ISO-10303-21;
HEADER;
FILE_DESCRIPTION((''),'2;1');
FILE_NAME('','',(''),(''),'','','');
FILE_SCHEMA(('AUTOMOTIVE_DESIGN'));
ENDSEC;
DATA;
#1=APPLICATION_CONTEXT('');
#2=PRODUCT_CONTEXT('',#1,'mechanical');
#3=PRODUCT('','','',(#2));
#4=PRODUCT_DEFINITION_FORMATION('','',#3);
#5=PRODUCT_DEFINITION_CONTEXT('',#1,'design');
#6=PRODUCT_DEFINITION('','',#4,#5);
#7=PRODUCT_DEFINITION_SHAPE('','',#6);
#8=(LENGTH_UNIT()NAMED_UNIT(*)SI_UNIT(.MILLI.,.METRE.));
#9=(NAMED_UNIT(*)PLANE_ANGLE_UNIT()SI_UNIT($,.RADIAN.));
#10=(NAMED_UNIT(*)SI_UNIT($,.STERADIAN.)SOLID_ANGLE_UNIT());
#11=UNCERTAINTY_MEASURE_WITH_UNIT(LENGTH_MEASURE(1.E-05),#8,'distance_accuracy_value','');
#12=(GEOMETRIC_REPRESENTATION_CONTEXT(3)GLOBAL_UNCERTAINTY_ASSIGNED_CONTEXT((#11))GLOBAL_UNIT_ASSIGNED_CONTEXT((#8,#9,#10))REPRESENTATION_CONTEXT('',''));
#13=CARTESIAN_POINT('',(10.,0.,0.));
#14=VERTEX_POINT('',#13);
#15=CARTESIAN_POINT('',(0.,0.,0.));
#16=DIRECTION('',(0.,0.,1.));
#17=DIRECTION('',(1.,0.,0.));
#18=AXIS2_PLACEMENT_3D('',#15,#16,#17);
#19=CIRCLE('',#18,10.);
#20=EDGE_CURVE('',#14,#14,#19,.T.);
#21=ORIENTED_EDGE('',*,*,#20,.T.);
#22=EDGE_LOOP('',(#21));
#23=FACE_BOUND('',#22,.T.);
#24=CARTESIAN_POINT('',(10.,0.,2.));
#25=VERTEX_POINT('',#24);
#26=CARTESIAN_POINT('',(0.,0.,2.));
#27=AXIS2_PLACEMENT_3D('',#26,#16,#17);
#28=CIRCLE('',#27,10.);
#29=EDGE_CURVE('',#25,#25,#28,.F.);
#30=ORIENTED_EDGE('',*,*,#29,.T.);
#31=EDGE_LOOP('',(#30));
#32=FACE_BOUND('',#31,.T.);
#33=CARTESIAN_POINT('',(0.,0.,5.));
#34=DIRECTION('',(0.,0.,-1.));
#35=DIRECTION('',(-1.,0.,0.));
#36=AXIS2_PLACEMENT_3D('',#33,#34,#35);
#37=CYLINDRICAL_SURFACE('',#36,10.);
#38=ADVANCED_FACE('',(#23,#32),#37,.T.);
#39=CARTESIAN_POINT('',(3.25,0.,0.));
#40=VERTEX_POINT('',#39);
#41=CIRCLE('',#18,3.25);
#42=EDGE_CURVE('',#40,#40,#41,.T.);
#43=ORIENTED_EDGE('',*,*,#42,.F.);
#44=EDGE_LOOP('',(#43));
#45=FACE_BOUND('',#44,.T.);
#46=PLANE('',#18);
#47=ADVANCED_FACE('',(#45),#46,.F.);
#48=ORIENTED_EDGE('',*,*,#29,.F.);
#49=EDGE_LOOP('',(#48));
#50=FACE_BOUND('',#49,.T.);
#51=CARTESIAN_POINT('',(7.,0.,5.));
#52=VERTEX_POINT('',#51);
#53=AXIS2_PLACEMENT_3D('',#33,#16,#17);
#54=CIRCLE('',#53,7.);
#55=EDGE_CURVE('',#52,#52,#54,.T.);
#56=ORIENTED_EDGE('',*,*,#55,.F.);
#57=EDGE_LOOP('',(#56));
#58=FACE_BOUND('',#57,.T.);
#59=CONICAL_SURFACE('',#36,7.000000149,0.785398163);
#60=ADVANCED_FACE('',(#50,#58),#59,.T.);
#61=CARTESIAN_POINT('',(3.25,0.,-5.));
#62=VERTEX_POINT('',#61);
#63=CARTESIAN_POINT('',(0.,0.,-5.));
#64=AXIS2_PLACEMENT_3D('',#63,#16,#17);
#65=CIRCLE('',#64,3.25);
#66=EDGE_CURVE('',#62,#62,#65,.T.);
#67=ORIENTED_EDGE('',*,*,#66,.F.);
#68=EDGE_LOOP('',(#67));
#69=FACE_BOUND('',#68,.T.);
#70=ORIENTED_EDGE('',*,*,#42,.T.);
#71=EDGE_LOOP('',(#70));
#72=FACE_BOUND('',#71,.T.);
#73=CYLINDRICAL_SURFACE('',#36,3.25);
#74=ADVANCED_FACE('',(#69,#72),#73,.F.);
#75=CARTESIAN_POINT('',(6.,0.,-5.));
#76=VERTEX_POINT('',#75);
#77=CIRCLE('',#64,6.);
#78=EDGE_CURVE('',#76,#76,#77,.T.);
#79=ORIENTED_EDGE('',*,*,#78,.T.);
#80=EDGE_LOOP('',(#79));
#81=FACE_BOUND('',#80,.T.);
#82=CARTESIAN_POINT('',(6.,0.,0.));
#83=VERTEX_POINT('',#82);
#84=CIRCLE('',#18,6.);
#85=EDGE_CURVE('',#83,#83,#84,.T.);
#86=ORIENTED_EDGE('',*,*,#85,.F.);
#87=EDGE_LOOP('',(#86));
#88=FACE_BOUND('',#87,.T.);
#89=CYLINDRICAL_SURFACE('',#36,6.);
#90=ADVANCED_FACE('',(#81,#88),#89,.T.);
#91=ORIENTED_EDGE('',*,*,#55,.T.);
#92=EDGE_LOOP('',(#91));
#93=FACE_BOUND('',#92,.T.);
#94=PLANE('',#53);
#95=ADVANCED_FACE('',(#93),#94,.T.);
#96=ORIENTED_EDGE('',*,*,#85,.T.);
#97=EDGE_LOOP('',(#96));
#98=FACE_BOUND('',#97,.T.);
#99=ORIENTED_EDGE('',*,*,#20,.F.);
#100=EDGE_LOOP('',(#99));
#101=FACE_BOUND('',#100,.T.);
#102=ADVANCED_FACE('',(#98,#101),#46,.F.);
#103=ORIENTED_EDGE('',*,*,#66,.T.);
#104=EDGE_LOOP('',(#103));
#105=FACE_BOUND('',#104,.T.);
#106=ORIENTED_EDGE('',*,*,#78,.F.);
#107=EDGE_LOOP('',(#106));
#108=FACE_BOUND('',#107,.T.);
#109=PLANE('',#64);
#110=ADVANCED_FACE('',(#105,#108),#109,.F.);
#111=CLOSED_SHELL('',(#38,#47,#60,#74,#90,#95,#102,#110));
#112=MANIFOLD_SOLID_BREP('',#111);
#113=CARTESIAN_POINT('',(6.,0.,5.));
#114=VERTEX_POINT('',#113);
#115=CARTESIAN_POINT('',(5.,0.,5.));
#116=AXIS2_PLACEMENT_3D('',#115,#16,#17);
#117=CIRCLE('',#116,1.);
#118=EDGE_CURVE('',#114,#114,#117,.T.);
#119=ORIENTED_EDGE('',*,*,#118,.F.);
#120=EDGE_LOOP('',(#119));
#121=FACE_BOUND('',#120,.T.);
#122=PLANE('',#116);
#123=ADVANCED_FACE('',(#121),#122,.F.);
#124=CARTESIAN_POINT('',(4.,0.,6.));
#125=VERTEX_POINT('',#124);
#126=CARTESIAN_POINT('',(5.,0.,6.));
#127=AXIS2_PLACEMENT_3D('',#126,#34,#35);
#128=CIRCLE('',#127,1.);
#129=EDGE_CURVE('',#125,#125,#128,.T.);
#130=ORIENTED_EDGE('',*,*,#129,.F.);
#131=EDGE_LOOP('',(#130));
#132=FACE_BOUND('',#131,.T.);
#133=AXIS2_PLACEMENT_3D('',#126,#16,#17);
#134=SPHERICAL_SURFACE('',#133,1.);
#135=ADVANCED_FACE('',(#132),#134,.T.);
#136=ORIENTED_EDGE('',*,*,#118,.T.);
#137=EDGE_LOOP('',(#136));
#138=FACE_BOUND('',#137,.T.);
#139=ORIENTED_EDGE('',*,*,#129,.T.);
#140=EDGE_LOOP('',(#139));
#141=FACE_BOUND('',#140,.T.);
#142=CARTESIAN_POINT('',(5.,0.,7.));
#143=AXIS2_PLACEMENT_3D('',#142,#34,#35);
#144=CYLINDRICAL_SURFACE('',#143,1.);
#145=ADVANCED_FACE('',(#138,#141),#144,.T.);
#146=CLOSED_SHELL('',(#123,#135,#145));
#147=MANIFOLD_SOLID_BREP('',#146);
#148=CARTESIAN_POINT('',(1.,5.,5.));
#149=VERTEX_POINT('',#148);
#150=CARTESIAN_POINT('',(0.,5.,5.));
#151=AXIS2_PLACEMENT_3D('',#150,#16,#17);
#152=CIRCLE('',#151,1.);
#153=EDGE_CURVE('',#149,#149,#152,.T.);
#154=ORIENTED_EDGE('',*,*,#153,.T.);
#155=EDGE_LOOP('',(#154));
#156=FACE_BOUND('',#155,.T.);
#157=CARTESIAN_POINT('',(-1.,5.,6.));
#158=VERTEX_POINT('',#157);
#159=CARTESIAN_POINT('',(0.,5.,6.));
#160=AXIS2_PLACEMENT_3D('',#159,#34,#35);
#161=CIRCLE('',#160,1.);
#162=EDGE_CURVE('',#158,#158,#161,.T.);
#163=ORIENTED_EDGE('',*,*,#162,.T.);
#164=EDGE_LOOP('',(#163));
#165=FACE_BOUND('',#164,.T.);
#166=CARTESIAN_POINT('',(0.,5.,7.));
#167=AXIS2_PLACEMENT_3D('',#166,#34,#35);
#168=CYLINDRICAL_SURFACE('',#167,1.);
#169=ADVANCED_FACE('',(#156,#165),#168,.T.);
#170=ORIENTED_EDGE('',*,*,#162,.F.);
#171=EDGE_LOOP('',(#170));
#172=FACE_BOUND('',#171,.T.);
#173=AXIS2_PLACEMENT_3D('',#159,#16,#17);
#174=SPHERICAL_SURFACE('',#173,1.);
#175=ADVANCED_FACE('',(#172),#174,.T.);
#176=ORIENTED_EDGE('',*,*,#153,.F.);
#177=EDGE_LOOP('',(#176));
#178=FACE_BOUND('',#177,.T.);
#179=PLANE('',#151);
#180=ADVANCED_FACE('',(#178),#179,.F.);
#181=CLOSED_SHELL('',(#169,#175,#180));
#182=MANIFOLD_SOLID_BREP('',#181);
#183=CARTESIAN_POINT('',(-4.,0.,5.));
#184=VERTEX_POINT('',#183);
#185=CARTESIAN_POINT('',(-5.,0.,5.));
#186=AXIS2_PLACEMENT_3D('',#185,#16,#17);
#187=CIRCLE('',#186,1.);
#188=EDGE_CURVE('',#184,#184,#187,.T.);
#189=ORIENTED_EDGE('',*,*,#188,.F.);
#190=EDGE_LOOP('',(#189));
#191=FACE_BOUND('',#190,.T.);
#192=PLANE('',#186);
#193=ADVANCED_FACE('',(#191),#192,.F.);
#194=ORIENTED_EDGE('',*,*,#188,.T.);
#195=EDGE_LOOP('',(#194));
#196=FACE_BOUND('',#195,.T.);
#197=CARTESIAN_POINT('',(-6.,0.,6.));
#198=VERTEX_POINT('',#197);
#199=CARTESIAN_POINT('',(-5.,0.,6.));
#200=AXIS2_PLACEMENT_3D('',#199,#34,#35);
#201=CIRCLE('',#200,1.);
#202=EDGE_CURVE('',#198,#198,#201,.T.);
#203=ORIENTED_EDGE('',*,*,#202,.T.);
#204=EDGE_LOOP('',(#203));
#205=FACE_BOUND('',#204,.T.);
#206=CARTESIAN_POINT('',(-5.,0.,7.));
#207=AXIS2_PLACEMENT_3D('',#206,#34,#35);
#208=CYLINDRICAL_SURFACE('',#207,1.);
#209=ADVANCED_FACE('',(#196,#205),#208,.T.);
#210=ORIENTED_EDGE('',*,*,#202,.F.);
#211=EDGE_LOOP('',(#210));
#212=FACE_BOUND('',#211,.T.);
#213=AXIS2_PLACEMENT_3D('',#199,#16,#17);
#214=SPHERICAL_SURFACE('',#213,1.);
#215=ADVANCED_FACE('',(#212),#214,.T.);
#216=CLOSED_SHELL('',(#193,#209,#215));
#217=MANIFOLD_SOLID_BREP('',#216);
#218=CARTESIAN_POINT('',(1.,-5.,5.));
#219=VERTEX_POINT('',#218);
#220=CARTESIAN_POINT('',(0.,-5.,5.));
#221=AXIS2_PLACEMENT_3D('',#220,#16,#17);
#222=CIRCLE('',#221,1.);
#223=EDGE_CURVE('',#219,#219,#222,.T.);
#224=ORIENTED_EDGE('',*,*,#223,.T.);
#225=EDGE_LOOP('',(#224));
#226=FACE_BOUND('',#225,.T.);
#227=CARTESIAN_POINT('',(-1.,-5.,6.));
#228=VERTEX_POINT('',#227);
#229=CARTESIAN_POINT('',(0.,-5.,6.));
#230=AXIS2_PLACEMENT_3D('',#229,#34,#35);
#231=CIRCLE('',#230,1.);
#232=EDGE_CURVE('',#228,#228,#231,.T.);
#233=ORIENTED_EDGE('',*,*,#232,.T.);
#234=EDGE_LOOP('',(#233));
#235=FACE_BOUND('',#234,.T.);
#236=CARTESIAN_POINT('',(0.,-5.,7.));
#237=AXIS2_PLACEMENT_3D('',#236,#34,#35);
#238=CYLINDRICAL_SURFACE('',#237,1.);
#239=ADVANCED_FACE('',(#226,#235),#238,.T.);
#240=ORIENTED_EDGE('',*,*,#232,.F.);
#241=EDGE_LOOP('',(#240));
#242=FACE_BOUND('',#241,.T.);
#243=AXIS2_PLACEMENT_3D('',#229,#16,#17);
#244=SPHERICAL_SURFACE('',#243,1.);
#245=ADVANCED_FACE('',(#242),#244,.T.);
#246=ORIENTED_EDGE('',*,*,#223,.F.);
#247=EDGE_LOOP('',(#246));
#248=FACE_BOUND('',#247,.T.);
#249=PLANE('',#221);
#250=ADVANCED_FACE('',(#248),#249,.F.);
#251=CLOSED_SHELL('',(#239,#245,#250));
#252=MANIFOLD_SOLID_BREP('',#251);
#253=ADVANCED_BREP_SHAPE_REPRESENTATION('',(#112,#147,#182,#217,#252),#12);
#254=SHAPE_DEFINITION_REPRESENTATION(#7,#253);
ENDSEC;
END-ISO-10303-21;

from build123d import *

# Parameters (mm, degrees)
BOSS_EXTRUDE1_DEPTH      = 5
BOSS_EXTRUDE1_DEPTH_BACK = 5
SKETCH1_R                = 6
SKETCH1_R_2              = 3.25
SKETCH2_R                = 10.000000149
BOSS_EXTRUDE2_DEPTH      = 5
CHAMFER1_SIZE            = 3
SKETCH3_R                = 1
BOSS_EXTRUDE3_DEPTH      = 2
BOSS_EXTRUDE3_2_DEPTH    = 2
BOSS_EXTRUDE3_3_DEPTH    = 2
BOSS_EXTRUDE3_4_DEPTH    = 2
FILLET1_R                = 1
FILLET2_R                = 1
FILLET3_R                = 1
FILLET4_R                = 1


with BuildPart() as part:
    # Sketch1 → Boss-Extrude1 (new, two sides: drawn at the far end of the back side and taken through both)
    with BuildSketch(Plane.XY.offset(-BOSS_EXTRUDE1_DEPTH_BACK)):
        Circle(SKETCH1_R)
        Circle(SKETCH1_R_2, mode=Mode.SUBTRACT)
    extrude(amount=BOSS_EXTRUDE1_DEPTH + BOSS_EXTRUDE1_DEPTH_BACK)

    # Sketch2 → Boss-Extrude2 (add)
    with BuildSketch(Plane.XY):
        Circle(SKETCH2_R)
    extrude(amount=BOSS_EXTRUDE2_DEPTH)

    # Chamfer1
    chamfer1_edges = [part.edges().sort_by_distance(p)[0] for p in [
        (-10.000000149, 0, 5),
    ]]
    chamfer(chamfer1_edges, length=CHAMFER1_SIZE)


with BuildPart() as body_2:
    # Sketch3 → Boss-Extrude3 (new body)
    with BuildSketch(Plane.XY.offset(5)):
        with Locations((0, 5)):
            Circle(SKETCH3_R)
    extrude(amount=BOSS_EXTRUDE3_DEPTH)

    # Fillet4
    fillet4_edges = [body_2.edges().sort_by_distance(p)[0] for p in [
        (-1, 5, 7),
    ]]
    fillet(fillet4_edges, radius=FILLET4_R)


with BuildPart() as body_3:
    # Sketch3 → Boss-Extrude3 2 (new body)
    with BuildSketch(Plane.XY.offset(5)):
        with Locations((5, 0)):
            Circle(SKETCH3_R)
    extrude(amount=BOSS_EXTRUDE3_2_DEPTH)

    # Fillet3
    fillet3_edges = [body_3.edges().sort_by_distance(p)[0] for p in [
        (4, 0, 7),
    ]]
    fillet(fillet3_edges, radius=FILLET3_R)


with BuildPart() as body_4:
    # Sketch3 → Boss-Extrude3 3 (new body)
    with BuildSketch(Plane.XY.offset(5)):
        with Locations((0, -5)):
            Circle(SKETCH3_R)
    extrude(amount=BOSS_EXTRUDE3_3_DEPTH)

    # Fillet2
    fillet2_edges = [body_4.edges().sort_by_distance(p)[0] for p in [
        (-1, -5, 7),
    ]]
    fillet(fillet2_edges, radius=FILLET2_R)


with BuildPart() as body_5:
    # Sketch3 → Boss-Extrude3 4 (new body)
    with BuildSketch(Plane.XY.offset(5)):
        with Locations((-5, 0)):
            Circle(SKETCH3_R)
    extrude(amount=BOSS_EXTRUDE3_4_DEPTH)

    # Fillet1
    fillet1_edges = [body_5.edges().sort_by_distance(p)[0] for p in [
        (-6, 0, 7),
    ]]
    fillet(fillet1_edges, radius=FILLET1_R)


solid = Compound([part.part, body_2.part, body_3.part, body_4.part, body_5.part])
